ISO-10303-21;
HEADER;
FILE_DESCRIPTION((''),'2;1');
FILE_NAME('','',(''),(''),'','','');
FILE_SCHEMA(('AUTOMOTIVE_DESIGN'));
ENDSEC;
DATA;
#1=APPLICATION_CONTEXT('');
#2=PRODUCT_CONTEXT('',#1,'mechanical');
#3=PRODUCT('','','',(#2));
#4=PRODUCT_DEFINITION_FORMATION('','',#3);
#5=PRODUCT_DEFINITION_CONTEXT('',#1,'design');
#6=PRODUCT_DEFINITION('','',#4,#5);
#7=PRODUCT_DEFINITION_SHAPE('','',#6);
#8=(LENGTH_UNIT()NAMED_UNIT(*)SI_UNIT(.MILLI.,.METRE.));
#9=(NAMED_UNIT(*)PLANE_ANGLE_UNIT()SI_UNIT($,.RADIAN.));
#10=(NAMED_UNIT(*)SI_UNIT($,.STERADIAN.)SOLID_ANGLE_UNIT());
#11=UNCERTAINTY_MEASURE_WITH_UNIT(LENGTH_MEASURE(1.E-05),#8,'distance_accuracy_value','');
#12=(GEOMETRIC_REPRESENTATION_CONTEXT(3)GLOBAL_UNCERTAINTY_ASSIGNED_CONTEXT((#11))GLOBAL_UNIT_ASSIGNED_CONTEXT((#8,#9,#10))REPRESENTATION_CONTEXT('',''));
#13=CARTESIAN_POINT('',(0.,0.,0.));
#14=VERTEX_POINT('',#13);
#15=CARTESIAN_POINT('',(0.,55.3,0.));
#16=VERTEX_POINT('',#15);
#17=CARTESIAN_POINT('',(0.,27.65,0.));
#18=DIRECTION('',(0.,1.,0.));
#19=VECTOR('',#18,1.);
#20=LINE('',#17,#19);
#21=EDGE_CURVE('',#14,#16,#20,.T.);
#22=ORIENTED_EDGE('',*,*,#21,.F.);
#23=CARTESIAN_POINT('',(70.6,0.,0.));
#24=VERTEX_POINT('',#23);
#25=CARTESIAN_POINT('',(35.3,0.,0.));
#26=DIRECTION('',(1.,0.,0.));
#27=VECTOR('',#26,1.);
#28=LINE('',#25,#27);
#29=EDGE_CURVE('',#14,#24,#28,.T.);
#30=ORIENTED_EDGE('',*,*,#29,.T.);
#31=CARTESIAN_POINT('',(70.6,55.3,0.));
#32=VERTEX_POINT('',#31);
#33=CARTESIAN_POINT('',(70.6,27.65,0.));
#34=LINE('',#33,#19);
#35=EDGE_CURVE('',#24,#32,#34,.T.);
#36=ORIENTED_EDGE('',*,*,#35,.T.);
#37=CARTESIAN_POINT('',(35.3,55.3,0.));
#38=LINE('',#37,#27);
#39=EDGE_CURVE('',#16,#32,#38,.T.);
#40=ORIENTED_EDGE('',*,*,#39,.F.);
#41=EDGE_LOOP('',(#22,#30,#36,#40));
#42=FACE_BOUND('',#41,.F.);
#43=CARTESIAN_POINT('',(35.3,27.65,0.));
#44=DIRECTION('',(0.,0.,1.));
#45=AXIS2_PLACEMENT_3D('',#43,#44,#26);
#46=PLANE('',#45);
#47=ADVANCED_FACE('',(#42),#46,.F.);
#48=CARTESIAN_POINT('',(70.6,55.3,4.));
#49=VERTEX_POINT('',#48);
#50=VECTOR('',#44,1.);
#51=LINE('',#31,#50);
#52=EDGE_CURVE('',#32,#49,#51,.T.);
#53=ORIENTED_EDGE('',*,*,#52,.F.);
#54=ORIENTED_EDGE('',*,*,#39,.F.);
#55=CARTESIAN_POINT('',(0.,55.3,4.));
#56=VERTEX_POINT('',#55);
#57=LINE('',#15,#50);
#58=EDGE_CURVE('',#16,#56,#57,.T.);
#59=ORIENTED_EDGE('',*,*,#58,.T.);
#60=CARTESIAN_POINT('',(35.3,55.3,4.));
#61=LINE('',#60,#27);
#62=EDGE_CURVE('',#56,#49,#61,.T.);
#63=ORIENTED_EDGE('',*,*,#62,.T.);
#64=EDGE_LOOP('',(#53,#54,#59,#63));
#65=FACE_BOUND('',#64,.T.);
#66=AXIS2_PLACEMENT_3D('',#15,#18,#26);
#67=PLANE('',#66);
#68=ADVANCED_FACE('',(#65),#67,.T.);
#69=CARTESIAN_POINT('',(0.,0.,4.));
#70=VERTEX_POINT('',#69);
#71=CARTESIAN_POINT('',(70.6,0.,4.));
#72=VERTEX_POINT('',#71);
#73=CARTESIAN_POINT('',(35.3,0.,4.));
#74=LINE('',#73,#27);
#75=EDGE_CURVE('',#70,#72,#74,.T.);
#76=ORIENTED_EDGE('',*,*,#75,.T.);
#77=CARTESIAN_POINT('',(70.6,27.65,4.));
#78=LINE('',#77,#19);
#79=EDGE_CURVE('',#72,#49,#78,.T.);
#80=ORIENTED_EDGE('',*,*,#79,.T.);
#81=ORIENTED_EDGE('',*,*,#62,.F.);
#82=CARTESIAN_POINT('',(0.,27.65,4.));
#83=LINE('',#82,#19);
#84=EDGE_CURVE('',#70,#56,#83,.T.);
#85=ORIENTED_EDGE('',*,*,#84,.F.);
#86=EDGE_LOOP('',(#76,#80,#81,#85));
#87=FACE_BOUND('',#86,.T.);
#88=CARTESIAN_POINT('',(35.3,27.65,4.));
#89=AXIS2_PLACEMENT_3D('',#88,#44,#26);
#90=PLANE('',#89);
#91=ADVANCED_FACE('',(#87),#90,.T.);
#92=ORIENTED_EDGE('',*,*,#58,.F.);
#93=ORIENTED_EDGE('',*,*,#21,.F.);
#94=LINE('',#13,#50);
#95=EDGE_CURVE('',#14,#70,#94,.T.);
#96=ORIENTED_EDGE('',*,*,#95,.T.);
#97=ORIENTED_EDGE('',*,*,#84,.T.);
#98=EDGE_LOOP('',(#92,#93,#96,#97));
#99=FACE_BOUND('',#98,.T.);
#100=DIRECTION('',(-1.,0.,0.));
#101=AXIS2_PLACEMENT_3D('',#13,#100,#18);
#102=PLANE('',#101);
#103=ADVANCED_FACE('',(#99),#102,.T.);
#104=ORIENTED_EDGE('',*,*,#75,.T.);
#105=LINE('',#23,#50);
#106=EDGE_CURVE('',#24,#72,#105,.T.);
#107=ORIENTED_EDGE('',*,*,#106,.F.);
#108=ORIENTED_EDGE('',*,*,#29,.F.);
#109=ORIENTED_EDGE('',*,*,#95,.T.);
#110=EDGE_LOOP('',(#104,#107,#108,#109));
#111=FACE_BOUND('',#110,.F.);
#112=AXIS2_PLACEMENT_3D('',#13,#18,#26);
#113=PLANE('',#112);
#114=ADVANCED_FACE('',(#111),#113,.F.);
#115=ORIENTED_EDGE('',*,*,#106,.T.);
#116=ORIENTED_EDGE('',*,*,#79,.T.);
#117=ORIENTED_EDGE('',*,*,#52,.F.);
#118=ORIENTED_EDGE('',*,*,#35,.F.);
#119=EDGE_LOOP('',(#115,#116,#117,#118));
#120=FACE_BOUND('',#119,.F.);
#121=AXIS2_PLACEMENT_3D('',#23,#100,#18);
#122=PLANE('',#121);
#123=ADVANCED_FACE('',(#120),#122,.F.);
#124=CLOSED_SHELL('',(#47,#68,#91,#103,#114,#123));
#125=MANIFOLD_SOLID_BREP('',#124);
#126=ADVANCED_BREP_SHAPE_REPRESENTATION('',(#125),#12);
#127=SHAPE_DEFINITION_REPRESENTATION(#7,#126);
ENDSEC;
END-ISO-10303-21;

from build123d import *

# Parameters (mm, degrees)
SKETCH001_W = 70.6
SKETCH001_H = 55.3
PAD_DEPTH   = 4


with BuildPart() as part:
    # Sketch001 → Pad (new body)
    with BuildSketch(Plane.XY):
        with Locations((35.3, 27.65)):
            Rectangle(SKETCH001_W, SKETCH001_H)
    extrude(amount=PAD_DEPTH)


solid = part.part
